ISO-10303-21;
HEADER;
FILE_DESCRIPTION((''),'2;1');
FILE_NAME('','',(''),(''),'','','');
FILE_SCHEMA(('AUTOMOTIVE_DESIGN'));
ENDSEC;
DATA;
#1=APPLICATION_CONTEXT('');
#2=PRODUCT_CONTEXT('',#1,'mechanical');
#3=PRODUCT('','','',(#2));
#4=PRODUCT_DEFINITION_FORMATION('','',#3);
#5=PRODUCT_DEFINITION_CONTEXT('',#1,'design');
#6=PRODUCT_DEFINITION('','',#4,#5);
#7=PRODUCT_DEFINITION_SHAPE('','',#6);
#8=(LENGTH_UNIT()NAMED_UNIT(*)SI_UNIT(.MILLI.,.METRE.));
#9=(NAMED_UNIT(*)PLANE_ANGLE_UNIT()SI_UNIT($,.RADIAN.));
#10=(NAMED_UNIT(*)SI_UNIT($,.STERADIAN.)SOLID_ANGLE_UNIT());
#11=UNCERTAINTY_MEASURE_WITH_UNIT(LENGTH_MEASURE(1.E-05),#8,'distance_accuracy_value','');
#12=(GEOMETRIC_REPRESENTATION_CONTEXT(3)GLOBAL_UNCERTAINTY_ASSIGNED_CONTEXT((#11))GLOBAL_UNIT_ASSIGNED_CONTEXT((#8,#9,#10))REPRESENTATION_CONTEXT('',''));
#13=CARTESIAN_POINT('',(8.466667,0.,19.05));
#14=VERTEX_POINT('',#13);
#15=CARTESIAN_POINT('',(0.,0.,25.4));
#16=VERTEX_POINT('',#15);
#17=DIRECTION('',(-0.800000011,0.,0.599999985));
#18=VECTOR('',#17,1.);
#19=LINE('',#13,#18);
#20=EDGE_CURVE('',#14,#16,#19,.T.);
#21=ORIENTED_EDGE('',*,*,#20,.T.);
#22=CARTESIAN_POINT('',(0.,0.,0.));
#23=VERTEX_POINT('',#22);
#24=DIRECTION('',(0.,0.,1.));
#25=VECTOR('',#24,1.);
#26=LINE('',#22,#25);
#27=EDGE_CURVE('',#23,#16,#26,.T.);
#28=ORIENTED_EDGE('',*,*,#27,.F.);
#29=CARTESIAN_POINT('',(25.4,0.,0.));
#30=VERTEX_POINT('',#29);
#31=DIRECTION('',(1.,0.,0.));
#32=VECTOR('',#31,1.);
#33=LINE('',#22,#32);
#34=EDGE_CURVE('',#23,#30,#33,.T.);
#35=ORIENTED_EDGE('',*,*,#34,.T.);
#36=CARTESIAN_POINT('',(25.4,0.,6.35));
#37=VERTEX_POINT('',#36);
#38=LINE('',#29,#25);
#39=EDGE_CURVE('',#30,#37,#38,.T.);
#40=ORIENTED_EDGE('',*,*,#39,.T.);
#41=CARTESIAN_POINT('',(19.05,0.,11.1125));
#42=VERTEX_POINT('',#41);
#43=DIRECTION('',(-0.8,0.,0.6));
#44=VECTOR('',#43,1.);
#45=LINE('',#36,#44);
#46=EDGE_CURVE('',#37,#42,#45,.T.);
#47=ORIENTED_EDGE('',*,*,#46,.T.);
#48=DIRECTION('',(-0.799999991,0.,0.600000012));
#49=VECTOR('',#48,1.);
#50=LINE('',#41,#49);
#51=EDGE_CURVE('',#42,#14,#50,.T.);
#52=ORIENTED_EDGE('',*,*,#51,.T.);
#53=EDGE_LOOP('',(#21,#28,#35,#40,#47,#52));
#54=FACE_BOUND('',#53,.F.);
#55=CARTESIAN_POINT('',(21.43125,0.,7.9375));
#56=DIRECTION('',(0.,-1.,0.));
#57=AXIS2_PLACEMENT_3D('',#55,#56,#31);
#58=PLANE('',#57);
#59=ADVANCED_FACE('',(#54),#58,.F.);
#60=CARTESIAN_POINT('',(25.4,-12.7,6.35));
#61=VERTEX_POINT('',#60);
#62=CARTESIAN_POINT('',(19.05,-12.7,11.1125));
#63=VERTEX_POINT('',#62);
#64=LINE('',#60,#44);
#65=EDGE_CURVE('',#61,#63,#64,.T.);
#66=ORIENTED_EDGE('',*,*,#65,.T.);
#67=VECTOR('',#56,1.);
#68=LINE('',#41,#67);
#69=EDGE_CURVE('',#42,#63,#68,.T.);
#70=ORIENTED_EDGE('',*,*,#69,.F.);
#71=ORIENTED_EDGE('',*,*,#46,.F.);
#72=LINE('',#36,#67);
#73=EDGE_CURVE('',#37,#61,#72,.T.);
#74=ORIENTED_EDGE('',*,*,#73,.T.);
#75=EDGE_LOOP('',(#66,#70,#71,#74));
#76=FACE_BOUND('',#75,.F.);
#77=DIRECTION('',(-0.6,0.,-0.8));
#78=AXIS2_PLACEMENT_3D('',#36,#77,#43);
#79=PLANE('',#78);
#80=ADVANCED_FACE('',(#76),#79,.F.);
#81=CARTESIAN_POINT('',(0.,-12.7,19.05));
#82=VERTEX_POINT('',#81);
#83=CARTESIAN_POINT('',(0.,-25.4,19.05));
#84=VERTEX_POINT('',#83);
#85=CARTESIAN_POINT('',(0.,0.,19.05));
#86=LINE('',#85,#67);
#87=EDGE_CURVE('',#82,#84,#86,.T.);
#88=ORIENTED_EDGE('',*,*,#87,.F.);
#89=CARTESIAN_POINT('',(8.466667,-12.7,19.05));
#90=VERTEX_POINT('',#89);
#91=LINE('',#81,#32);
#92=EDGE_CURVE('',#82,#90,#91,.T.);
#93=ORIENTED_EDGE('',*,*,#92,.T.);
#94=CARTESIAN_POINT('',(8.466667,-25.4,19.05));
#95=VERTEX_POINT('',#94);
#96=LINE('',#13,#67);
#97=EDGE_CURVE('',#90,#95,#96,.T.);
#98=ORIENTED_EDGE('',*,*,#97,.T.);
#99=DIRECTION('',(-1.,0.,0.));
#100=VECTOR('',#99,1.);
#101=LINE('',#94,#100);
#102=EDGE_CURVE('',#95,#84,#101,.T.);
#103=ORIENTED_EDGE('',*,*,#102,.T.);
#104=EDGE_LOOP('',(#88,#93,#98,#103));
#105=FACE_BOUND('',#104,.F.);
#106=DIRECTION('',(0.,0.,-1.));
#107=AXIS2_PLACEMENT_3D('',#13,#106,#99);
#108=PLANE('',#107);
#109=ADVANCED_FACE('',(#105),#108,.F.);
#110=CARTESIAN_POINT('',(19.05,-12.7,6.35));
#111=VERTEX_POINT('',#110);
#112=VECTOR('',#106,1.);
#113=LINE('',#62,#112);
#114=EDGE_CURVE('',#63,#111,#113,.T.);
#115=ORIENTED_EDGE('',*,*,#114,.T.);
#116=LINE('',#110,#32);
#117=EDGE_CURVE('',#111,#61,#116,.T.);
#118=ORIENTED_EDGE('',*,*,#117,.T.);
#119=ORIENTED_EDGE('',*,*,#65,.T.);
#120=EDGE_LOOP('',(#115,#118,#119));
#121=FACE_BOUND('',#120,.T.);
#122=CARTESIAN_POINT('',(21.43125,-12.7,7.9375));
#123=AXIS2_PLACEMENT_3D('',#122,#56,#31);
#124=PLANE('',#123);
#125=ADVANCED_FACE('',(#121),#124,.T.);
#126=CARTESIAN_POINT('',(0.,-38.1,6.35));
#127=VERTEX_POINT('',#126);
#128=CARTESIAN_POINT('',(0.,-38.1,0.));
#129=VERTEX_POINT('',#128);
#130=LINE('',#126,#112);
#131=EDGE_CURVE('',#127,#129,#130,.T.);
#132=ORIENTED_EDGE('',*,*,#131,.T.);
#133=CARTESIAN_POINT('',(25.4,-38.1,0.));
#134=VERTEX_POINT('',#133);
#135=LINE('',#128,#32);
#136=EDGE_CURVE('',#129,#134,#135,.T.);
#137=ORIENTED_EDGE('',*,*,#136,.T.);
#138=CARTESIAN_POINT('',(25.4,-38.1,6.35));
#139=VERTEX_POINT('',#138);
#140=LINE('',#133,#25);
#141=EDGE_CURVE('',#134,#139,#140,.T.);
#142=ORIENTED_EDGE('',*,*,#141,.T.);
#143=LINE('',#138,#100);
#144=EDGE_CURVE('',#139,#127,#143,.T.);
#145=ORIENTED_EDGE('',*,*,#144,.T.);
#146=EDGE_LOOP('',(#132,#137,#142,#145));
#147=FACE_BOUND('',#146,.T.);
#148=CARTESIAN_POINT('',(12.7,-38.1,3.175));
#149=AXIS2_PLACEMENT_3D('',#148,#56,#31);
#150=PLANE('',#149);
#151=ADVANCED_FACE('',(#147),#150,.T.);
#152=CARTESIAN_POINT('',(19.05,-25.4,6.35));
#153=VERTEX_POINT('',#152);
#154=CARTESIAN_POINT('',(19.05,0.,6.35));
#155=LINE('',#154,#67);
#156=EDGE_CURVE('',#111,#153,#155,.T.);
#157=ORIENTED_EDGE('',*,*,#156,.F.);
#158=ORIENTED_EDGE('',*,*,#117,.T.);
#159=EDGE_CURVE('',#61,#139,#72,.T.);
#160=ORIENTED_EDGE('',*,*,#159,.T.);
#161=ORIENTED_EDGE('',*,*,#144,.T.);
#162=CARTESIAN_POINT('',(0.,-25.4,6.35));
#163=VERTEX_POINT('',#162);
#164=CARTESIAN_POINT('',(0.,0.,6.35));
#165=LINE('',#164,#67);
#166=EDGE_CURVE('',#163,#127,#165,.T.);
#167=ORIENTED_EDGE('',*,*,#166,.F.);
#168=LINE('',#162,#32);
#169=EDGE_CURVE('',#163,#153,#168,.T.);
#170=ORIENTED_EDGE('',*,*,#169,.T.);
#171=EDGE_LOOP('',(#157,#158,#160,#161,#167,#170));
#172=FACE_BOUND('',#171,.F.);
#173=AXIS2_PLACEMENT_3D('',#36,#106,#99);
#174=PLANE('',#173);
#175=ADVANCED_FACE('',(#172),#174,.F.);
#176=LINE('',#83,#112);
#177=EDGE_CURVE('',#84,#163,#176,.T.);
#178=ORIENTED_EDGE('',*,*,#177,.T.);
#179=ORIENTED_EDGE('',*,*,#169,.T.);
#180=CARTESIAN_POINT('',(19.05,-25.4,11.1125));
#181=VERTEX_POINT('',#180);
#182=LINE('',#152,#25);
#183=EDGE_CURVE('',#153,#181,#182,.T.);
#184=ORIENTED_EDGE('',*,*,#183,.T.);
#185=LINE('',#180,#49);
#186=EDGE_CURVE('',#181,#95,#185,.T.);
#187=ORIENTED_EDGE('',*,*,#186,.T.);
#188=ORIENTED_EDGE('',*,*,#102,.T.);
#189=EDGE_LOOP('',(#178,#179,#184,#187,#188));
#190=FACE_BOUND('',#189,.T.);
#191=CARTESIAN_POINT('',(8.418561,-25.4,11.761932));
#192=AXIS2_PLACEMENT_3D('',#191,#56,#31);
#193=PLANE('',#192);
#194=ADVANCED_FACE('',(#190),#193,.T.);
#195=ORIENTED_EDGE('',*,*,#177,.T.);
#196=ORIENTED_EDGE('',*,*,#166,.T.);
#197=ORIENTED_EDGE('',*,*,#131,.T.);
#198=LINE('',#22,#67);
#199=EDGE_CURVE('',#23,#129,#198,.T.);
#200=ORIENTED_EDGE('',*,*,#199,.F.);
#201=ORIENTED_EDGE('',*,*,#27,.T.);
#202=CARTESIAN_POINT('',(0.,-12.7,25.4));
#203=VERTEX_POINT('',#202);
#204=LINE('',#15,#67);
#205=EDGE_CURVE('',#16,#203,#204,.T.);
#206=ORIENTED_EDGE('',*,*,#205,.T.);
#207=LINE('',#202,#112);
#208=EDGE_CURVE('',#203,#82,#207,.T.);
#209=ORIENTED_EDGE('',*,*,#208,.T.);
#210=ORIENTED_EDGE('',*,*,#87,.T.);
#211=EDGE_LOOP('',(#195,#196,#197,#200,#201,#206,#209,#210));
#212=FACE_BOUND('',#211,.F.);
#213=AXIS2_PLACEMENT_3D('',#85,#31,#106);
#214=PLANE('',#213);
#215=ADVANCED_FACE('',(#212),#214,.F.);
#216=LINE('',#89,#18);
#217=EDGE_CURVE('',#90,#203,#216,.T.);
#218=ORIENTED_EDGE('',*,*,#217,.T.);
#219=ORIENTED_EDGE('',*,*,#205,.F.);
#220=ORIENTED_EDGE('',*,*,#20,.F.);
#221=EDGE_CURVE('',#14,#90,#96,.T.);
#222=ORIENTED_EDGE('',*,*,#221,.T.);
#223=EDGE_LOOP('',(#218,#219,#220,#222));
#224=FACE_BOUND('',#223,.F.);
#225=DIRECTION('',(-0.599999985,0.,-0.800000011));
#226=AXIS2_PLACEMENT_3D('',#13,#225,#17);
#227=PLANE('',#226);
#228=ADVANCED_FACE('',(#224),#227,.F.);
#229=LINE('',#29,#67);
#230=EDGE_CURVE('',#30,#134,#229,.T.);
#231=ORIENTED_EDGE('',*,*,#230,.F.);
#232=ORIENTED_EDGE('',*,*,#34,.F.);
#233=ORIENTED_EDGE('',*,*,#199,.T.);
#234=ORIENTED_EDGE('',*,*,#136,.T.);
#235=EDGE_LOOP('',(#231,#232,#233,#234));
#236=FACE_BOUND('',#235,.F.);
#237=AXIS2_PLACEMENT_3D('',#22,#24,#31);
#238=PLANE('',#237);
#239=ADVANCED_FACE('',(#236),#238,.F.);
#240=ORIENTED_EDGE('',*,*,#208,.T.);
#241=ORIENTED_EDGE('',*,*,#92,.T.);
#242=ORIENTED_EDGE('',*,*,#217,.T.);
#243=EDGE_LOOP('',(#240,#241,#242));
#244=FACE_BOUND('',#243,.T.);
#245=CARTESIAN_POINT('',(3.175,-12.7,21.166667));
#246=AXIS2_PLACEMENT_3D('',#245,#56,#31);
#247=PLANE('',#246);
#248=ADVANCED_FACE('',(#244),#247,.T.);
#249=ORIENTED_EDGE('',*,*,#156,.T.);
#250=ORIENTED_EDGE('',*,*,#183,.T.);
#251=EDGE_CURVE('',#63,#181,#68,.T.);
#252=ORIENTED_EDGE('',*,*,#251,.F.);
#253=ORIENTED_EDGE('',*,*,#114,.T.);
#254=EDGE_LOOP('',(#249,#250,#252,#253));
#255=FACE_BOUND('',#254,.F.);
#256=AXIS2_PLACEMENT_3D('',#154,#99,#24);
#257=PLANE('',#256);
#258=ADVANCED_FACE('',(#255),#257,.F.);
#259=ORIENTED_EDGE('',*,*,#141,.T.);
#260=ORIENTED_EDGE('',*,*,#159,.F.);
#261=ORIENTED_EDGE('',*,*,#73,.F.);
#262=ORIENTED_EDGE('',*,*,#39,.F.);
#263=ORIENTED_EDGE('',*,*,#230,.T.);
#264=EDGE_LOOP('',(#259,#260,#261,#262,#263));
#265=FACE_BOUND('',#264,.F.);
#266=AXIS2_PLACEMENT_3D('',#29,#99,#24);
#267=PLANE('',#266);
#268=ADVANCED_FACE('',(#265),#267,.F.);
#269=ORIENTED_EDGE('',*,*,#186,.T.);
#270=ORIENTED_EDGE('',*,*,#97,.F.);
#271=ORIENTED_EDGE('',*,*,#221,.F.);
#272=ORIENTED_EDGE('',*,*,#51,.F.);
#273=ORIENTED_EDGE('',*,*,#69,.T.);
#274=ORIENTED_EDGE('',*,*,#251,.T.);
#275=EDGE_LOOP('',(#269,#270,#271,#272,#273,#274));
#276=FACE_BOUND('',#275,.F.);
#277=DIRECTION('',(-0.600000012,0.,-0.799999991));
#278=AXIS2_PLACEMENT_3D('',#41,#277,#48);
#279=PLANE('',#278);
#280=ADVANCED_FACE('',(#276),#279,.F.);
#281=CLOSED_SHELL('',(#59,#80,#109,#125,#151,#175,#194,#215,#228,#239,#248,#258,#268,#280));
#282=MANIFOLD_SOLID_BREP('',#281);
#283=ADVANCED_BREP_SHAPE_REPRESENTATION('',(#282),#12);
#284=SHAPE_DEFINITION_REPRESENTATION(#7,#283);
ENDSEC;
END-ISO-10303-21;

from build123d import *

# Parameters (mm, degrees)
F1_DEPTH = 38.1
F2_DEPTH = 25.4
F3_DEPTH = 12.7


with BuildPart() as f1:
    # F0 (on Front) → F1 (new body)
    with BuildSketch(Plane.XZ):
        Polygon((0, 6.35), (0, 0), (25.4, 0), (25.4, 6.35), (19.05, 6.35), align=None)
    extrude(amount=F1_DEPTH)

    # F0 (on Front) → F2 (join)
    with BuildSketch(Plane.XZ):
        Polygon((0, 19.05), (0, 6.35), (19.05, 6.35), (19.05, 11.1125), (8.466667, 19.05), align=None)
    extrude(amount=F2_DEPTH)

    # F0 (on Front) → F3 (join)
    with BuildSketch(Plane.XZ):
        Polygon((19.05, 11.1125), (19.05, 6.35), (25.4, 6.35), align=None)
        Polygon((0, 25.4), (0, 19.05), (8.466667, 19.05), align=None)
    extrude(amount=F3_DEPTH)


solid = f1.part
